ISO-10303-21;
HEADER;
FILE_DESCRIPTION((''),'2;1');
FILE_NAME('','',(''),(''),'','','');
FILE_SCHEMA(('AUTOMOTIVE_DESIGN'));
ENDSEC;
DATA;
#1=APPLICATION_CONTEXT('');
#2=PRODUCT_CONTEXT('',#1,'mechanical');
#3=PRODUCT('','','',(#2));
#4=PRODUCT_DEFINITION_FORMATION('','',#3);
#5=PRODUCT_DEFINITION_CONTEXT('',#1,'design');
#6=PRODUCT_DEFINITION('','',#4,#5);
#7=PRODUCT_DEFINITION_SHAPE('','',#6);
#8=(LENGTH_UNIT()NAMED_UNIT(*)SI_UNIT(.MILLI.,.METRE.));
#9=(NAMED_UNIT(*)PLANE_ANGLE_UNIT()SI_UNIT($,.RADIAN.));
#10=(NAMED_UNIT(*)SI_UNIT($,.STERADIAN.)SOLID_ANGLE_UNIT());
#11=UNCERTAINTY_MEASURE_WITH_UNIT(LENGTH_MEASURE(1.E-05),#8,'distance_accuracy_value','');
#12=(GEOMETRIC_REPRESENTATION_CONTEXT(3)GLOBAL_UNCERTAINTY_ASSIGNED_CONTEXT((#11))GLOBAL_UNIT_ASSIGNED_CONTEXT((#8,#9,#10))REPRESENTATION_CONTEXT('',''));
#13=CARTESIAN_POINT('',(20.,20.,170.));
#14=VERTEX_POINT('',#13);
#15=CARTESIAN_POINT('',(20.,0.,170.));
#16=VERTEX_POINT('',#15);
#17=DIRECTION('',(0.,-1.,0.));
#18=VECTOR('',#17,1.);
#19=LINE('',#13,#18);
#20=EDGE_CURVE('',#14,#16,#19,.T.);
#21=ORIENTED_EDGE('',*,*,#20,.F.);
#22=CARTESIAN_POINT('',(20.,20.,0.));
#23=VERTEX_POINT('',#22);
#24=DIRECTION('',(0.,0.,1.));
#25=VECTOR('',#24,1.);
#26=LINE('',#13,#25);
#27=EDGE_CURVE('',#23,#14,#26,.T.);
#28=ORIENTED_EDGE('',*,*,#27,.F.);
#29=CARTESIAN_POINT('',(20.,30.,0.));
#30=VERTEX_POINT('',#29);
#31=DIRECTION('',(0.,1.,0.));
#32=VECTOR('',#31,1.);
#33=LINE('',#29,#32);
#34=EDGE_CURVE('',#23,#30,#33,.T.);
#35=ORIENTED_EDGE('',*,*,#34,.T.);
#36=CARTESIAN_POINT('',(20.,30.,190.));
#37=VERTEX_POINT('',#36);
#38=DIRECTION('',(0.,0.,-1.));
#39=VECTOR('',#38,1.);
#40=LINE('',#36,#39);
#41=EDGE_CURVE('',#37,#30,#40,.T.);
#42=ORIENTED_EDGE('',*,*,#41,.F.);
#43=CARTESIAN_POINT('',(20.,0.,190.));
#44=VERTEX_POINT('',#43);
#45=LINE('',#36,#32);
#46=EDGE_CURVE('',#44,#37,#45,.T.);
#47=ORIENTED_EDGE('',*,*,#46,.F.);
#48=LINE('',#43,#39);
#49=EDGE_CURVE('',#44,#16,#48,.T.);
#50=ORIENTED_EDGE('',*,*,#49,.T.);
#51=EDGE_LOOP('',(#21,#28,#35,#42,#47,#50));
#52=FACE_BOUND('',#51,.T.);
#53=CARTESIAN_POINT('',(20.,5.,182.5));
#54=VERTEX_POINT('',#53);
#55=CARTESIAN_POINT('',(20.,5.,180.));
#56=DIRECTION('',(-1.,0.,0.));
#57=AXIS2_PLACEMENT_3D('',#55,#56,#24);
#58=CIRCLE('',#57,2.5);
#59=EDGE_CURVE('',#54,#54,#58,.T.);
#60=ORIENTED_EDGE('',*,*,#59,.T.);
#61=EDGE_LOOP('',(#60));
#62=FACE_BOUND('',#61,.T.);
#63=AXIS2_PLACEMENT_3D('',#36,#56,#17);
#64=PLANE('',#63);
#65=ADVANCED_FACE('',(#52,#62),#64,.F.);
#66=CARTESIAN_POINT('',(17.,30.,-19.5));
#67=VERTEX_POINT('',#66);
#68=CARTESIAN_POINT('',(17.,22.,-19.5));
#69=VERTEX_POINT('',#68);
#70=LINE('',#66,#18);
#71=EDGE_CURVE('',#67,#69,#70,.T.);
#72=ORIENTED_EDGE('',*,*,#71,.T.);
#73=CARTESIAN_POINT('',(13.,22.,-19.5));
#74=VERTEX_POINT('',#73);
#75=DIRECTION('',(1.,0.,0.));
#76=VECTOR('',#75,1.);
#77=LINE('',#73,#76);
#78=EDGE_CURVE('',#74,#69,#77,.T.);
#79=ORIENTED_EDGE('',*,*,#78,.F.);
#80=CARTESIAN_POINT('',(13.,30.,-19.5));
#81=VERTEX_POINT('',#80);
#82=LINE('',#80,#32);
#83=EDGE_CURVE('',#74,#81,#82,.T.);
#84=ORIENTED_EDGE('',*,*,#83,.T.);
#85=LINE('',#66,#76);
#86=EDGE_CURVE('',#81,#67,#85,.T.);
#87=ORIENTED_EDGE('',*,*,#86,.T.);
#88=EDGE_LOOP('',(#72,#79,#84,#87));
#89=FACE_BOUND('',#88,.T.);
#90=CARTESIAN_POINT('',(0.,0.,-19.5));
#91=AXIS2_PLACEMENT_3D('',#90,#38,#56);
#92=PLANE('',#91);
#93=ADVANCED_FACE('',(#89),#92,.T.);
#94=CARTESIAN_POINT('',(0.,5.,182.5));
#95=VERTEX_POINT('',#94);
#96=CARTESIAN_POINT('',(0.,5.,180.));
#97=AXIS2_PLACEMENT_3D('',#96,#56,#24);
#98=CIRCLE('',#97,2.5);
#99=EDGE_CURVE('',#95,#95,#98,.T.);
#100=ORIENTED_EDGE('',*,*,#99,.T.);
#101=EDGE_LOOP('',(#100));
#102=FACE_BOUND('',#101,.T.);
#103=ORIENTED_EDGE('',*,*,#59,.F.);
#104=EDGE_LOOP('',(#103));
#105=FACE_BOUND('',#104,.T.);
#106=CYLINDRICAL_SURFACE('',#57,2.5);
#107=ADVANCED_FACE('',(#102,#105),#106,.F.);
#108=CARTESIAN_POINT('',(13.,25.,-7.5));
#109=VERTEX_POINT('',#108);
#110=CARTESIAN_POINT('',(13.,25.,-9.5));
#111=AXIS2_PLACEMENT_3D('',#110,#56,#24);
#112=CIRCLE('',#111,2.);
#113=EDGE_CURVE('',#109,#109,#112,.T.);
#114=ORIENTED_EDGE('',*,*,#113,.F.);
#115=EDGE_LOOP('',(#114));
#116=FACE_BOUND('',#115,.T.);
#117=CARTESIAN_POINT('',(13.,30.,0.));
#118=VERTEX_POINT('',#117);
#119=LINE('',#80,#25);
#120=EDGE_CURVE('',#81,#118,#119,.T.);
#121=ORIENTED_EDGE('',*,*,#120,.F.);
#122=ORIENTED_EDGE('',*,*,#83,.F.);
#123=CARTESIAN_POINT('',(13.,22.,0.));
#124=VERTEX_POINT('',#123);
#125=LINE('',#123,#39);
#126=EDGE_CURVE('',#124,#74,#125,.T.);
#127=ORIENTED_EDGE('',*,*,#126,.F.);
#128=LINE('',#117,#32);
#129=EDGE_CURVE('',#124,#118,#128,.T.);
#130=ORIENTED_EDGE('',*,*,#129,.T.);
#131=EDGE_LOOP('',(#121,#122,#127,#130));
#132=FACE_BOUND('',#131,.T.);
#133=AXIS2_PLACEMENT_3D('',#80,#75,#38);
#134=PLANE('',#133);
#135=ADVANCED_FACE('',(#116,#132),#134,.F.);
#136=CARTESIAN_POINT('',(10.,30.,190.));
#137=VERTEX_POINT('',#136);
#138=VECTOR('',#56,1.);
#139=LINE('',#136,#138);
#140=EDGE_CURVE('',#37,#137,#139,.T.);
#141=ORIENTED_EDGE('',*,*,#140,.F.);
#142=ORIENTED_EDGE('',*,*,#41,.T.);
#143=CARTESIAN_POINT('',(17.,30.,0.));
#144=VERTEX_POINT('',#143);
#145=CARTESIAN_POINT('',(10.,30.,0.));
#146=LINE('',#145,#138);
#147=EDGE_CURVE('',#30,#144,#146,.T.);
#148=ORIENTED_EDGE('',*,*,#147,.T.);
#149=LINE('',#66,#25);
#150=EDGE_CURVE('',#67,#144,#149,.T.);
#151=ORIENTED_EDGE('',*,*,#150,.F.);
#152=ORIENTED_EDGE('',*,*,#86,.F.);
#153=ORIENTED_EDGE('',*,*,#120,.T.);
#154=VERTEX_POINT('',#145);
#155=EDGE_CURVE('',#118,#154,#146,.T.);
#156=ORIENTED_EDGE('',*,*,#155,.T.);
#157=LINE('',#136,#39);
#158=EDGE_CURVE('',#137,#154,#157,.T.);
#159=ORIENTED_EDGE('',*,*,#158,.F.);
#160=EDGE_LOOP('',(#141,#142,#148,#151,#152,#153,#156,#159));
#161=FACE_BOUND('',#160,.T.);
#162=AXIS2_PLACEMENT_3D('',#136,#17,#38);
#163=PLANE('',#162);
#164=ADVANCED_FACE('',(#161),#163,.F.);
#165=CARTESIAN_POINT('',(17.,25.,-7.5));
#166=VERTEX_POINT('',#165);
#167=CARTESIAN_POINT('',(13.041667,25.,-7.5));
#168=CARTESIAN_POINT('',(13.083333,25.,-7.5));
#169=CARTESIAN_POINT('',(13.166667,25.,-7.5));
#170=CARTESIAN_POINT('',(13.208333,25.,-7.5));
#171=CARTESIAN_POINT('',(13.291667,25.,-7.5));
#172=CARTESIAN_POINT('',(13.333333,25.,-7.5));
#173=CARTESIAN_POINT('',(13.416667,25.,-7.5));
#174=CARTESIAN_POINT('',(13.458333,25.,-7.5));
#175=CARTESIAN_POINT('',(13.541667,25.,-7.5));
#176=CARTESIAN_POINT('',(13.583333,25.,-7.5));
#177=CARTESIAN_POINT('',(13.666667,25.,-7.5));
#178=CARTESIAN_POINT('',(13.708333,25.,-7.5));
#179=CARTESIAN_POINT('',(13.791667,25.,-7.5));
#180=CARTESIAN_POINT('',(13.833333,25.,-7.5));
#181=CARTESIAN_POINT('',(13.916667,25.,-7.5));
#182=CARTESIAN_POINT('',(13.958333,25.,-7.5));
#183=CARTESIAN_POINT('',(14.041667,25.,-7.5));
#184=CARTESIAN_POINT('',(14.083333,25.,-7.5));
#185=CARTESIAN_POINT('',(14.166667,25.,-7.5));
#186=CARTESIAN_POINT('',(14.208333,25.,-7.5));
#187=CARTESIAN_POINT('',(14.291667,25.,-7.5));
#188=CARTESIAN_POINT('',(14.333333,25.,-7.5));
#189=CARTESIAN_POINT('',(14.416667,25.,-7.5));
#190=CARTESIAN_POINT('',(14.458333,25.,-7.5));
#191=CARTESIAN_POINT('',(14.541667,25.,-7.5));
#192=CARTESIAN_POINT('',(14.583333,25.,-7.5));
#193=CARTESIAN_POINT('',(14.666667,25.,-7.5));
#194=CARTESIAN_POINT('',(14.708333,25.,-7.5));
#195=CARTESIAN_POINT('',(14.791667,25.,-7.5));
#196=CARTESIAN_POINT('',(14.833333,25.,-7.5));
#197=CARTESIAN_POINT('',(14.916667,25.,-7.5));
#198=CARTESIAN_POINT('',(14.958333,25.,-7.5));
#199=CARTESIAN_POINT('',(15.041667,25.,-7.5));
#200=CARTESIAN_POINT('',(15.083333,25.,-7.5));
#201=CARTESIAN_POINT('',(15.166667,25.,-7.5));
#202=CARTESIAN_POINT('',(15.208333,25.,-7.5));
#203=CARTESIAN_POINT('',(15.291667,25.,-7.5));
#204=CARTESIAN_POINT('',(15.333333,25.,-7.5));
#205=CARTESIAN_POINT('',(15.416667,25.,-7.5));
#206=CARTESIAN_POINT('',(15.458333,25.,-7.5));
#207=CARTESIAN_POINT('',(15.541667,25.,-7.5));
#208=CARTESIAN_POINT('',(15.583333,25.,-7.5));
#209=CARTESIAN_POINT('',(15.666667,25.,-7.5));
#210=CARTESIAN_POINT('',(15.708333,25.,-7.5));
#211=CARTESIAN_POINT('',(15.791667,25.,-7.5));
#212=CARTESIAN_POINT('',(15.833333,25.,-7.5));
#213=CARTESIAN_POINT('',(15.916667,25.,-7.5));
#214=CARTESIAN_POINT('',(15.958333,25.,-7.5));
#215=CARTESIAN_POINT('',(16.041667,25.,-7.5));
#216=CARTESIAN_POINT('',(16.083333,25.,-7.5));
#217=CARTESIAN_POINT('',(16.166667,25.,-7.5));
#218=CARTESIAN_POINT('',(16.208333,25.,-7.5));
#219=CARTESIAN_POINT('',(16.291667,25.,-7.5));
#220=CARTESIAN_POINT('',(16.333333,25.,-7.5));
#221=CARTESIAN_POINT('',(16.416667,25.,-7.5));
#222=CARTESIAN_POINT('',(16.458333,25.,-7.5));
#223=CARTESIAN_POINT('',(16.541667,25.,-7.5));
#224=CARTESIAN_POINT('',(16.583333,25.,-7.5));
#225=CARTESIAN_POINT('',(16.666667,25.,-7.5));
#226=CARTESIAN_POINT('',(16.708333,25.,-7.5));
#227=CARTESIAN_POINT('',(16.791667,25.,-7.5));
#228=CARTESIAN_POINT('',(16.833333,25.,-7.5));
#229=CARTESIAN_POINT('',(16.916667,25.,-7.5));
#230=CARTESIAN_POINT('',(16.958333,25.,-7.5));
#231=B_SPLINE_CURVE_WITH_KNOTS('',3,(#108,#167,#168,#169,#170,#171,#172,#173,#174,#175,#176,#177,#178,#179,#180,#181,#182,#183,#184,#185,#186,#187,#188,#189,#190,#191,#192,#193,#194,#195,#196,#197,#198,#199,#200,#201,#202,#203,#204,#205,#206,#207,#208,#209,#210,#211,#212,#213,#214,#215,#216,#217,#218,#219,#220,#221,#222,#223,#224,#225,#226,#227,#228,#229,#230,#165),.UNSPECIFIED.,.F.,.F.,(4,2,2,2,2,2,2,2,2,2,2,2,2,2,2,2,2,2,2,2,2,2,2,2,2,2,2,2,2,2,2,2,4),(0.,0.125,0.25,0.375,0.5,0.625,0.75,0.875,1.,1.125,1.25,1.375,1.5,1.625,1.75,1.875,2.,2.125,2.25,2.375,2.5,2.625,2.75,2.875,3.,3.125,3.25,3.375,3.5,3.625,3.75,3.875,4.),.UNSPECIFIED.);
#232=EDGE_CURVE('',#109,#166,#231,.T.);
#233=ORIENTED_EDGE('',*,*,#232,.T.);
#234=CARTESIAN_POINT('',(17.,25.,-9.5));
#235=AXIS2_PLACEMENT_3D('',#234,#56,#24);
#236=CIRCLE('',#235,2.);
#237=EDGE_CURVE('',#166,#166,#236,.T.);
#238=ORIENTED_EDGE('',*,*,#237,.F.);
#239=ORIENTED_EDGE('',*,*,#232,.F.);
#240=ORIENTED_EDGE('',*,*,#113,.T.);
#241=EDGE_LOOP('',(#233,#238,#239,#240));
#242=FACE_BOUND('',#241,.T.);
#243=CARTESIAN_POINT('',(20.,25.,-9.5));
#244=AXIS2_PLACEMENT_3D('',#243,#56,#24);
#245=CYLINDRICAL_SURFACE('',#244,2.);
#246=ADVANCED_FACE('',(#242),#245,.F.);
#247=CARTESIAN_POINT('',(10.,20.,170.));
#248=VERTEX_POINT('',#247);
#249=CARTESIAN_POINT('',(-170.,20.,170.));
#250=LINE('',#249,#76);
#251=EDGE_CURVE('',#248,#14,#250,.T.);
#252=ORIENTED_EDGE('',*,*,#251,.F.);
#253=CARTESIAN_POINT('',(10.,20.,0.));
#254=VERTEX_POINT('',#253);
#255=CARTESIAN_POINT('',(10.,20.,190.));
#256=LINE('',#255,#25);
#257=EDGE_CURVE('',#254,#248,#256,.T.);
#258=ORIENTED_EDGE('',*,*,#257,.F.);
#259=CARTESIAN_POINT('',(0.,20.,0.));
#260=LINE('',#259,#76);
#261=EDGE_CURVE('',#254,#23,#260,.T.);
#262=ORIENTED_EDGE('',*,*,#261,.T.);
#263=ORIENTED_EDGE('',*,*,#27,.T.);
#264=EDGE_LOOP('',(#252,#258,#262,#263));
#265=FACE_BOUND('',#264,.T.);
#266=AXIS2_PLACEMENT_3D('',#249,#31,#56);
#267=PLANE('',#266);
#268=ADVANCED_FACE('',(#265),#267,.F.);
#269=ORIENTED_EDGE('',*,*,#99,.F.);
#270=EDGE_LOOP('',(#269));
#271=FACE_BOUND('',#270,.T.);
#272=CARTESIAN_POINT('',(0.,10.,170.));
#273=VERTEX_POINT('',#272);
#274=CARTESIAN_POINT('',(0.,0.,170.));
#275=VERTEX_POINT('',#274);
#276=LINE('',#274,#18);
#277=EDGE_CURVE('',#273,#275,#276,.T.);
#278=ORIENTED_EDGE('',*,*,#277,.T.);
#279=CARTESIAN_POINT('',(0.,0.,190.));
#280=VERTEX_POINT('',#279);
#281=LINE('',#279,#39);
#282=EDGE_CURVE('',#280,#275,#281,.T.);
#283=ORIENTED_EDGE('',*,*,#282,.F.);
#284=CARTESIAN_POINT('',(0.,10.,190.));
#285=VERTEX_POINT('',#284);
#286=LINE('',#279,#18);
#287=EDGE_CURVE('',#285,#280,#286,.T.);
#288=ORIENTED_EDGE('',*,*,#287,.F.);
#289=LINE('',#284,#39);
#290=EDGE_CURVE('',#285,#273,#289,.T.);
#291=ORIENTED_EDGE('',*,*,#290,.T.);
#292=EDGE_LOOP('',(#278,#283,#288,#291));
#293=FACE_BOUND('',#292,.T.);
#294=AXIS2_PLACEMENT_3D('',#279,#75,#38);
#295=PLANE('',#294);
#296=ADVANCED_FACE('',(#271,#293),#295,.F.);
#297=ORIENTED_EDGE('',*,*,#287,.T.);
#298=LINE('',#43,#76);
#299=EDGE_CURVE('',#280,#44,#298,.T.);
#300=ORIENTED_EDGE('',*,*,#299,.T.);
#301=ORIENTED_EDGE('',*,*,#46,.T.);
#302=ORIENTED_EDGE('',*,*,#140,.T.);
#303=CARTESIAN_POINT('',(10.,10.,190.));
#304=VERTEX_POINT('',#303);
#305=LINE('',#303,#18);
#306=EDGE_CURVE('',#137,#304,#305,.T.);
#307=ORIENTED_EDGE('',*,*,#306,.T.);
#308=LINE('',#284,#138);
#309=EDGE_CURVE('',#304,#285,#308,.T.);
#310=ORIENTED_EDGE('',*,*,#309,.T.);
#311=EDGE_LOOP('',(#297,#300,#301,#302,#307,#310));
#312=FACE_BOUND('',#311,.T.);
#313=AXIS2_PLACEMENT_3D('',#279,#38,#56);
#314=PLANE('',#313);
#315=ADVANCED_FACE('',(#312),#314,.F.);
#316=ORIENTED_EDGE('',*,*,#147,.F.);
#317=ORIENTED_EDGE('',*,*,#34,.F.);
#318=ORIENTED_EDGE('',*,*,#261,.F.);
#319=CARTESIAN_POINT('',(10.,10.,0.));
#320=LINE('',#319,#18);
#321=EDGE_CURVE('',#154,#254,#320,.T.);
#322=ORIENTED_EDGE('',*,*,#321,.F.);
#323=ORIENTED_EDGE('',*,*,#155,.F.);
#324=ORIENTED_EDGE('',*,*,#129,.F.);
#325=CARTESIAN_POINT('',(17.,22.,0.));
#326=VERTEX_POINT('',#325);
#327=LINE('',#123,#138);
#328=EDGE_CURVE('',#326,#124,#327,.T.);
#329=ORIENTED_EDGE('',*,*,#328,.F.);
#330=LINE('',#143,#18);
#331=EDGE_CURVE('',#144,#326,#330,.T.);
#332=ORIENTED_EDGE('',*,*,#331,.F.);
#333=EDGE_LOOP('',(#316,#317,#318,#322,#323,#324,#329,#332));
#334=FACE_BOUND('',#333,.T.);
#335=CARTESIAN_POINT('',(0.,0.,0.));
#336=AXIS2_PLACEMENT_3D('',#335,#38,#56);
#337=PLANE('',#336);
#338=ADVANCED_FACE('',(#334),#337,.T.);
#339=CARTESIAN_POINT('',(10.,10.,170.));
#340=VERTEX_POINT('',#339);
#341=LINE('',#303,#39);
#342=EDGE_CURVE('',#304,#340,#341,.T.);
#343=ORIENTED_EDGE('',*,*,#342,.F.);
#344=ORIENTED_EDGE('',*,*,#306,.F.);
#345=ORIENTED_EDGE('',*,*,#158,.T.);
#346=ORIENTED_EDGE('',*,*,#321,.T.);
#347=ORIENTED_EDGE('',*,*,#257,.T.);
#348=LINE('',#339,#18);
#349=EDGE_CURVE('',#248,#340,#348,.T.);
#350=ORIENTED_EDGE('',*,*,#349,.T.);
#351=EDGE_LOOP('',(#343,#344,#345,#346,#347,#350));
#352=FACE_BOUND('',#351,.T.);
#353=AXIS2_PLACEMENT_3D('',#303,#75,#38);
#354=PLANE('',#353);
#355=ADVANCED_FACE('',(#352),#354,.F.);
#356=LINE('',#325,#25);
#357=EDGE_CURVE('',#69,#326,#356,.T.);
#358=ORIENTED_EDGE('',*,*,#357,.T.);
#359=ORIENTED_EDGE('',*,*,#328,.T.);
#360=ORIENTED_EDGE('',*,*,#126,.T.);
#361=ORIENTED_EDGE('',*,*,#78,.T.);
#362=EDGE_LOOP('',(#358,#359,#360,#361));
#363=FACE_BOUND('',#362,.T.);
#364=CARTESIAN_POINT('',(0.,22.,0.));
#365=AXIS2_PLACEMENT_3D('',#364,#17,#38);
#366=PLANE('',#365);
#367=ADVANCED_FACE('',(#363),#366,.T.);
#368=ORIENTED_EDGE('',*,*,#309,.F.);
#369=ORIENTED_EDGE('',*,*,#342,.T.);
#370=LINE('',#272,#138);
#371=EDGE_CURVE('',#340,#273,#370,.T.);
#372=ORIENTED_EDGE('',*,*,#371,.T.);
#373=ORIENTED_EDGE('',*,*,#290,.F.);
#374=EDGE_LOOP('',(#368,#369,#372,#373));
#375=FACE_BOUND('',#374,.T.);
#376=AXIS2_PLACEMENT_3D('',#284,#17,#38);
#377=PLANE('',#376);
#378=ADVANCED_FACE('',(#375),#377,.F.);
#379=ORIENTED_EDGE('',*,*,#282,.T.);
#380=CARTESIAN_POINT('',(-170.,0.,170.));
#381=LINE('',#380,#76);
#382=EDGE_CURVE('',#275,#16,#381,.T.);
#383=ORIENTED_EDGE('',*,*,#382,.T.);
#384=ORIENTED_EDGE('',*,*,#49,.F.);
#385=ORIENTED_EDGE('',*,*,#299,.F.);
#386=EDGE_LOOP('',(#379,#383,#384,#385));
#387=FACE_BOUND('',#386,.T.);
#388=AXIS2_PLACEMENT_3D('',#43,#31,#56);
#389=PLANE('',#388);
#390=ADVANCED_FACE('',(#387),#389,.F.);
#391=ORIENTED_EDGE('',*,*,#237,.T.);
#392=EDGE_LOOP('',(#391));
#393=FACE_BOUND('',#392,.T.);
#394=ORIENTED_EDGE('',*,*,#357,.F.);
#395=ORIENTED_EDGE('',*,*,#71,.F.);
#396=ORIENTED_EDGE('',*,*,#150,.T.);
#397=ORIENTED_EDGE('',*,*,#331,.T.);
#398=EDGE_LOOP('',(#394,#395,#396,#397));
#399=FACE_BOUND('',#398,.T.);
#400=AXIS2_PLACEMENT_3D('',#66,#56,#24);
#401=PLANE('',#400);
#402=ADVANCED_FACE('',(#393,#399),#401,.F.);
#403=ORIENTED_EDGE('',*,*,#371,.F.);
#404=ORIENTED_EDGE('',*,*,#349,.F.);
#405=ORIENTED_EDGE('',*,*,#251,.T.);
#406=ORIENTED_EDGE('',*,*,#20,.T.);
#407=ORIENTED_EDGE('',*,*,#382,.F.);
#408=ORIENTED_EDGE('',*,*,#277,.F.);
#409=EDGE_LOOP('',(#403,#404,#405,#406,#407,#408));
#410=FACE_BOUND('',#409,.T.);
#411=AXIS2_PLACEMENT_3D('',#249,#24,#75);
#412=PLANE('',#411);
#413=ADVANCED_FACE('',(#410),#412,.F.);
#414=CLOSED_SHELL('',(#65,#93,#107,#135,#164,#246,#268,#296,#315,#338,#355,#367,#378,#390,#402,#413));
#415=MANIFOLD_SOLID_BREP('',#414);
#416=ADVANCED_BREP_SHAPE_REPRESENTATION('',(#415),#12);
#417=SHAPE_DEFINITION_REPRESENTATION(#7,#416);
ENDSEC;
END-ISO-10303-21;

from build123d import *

# Parameters (mm, degrees)
BOSS_EXTRUDE1_DEPTH = 190
SKETCH3_W           = 170
SKETCH3_H           = 20
CUT_EXTRUDE1_DEPTH  = 190
SKETCH4_W           = 4
SKETCH4_H           = 5
BOSS_EXTRUDE2_DEPTH = 19.5
SKETCH5_R           = 2.75
CUT_EXTRUDE3_DEPTH  = 10
SKETCH7_W           = 4
SKETCH7_H           = 19.5
BOSS_EXTRUDE3_DEPTH = 3
BOSS_EXTRUDE4_REACH = 195.391
SKETCH8_R           = 2.75
SKETCH8_R_2         = 2.5
SKETCH9_R           = 2.5
CUT_EXTRUDE4_DEPTH  = 194.390796058
SKETCH10_R          = 2
CUT_EXTRUDE5_DEPTH  = 193.792634714


with BuildPart() as part:
    # Sketch2 → Boss-Extrude1 (new body)
    with BuildSketch(Plane.XY):
        Polygon((0, 0), (0, 10), (10, 10), (10, 30), (20, 30), (20, 0), align=None)
    extrude(amount=BOSS_EXTRUDE1_DEPTH)

    # Sketch3 → Cut-Extrude1 (cut)
    with BuildSketch(Plane(origin=(20, 0, 0), x_dir=(0, 0, -1), z_dir=(1, 0, 0))):
        with Locations((-85, 10)):
            Rectangle(SKETCH3_W, SKETCH3_H)
    extrude(amount=-CUT_EXTRUDE1_DEPTH, mode=Mode.SUBTRACT)

    # Sketch4 → Boss-Extrude2 (add)
    with BuildSketch(Plane(origin=(0, 0, 0), x_dir=(-1, 0, 0), z_dir=(0, 0, -1))):
        with Locations((-15, 27.5)):
            Rectangle(SKETCH4_W, SKETCH4_H)
    extrude(amount=BOSS_EXTRUDE2_DEPTH)

    # Sketch5 → Cut-Extrude3 (cut)
    with BuildSketch(Plane.ZY):
        with Locations((180, 5)):
            Circle(SKETCH5_R)
    extrude(amount=-CUT_EXTRUDE3_DEPTH, mode=Mode.SUBTRACT)

    # Sketch7 → Boss-Extrude3 (add)
    with BuildSketch(Plane.XZ.offset(-25)):
        with Locations((15, -9.75)):
            Rectangle(SKETCH7_W, SKETCH7_H)
    extrude(amount=BOSS_EXTRUDE3_DEPTH)

    # Sketch8 → Boss-Extrude4 (add, up to next)
    with BuildSketch(Plane.ZY, mode=Mode.PRIVATE) as boss_extrude4_sk1:
        with Locations((180, 5)):
            Circle(SKETCH8_R)
        with Locations((180, 5)):
            Circle(SKETCH8_R_2, mode=Mode.SUBTRACT)
    boss_extrude4_tool1 = extrude(boss_extrude4_sk1.sketch, amount=-BOSS_EXTRUDE4_REACH, mode=Mode.PRIVATE) - part.part
    add(boss_extrude4_tool1.solids().sort_by_distance((0, 5, 177.327782))[0])

    # Sketch9 → Cut-Extrude4 (cut, through all)
    with BuildSketch(Plane.ZY):
        with Locations((180, 5)):
            Circle(SKETCH9_R)
    extrude(amount=-CUT_EXTRUDE4_DEPTH, mode=Mode.SUBTRACT)

    # Sketch10 → Cut-Extrude5 (cut, through all)
    with BuildSketch(Plane.ZY.offset(-13)):
        with Locations((-9.5, 25)):
            Circle(SKETCH10_R)
    extrude(amount=-CUT_EXTRUDE5_DEPTH, mode=Mode.SUBTRACT)


solid = part.part
